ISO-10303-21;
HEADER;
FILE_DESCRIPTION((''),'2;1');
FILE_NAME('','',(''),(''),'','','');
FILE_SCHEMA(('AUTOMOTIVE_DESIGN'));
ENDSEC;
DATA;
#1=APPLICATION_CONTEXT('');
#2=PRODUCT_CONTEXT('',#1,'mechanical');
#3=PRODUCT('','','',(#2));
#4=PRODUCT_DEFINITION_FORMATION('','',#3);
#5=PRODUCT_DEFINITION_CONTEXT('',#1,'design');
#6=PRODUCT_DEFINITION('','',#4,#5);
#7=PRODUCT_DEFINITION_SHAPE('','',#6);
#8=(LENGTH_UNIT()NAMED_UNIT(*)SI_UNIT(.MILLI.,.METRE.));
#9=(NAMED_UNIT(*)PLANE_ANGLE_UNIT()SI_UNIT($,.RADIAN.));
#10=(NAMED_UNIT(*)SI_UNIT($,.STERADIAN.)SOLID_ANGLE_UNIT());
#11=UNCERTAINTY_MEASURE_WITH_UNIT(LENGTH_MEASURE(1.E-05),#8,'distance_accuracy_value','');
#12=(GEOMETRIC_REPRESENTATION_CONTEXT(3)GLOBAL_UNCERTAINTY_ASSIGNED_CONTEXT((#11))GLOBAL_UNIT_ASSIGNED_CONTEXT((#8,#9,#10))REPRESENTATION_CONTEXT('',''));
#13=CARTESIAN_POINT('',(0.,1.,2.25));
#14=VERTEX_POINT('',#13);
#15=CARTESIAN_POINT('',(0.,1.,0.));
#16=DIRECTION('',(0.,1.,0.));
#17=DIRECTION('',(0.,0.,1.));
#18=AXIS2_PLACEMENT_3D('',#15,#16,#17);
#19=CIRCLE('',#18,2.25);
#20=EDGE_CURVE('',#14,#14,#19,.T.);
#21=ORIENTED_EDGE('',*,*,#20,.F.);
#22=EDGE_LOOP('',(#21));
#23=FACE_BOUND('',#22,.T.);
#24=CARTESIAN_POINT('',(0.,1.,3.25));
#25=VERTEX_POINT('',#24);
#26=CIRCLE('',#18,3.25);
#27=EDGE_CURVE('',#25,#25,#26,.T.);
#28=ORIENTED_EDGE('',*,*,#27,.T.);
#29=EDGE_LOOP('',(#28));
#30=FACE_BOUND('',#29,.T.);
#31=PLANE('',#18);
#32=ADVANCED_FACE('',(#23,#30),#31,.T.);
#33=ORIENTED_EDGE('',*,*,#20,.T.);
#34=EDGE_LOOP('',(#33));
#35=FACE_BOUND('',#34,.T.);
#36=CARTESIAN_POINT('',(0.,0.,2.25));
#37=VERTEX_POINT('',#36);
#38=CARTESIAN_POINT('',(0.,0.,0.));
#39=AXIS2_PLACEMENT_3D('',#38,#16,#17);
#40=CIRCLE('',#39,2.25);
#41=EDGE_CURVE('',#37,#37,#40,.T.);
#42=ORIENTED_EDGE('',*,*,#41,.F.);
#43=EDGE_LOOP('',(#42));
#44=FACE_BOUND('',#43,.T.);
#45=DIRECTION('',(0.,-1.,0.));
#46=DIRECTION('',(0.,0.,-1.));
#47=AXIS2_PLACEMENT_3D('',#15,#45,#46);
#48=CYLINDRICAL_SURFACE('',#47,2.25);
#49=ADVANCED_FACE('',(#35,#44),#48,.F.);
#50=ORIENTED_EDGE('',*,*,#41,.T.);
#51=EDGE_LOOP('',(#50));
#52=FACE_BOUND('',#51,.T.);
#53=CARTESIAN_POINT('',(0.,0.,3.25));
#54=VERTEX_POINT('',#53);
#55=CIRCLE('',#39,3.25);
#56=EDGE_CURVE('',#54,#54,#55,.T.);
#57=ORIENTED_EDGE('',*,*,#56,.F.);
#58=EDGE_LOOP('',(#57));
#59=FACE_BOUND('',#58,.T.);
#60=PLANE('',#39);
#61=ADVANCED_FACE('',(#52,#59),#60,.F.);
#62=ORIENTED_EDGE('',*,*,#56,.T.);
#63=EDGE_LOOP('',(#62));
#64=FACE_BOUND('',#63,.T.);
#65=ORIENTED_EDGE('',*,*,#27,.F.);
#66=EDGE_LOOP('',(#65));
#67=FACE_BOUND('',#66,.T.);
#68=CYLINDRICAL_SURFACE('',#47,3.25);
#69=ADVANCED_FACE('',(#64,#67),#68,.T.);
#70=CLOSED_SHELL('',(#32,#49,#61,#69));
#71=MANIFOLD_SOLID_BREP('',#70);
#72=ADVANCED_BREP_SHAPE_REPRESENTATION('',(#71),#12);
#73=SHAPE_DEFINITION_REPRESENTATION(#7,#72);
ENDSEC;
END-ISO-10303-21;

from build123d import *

# Parameters (mm, degrees)
SKETCH1_R           = 3.25
SKETCH1_R_2         = 2.25
BOSS_EXTRUDE1_DEPTH = 1


with BuildPart() as part:
    # Sketch1 → Boss-Extrude1 (new body)
    with BuildSketch(Plane(origin=(0, 0, 0), x_dir=(1, 0, 0), z_dir=(0, 1, 0))):
        with Locations(Location((0, 0, 0), (0, 0, 270))):
            Circle(SKETCH1_R)
        with Locations(Location((0, 0, 0), (0, 0, 270))):
            Circle(SKETCH1_R_2, mode=Mode.SUBTRACT)
    extrude(amount=BOSS_EXTRUDE1_DEPTH)


solid = part.part
